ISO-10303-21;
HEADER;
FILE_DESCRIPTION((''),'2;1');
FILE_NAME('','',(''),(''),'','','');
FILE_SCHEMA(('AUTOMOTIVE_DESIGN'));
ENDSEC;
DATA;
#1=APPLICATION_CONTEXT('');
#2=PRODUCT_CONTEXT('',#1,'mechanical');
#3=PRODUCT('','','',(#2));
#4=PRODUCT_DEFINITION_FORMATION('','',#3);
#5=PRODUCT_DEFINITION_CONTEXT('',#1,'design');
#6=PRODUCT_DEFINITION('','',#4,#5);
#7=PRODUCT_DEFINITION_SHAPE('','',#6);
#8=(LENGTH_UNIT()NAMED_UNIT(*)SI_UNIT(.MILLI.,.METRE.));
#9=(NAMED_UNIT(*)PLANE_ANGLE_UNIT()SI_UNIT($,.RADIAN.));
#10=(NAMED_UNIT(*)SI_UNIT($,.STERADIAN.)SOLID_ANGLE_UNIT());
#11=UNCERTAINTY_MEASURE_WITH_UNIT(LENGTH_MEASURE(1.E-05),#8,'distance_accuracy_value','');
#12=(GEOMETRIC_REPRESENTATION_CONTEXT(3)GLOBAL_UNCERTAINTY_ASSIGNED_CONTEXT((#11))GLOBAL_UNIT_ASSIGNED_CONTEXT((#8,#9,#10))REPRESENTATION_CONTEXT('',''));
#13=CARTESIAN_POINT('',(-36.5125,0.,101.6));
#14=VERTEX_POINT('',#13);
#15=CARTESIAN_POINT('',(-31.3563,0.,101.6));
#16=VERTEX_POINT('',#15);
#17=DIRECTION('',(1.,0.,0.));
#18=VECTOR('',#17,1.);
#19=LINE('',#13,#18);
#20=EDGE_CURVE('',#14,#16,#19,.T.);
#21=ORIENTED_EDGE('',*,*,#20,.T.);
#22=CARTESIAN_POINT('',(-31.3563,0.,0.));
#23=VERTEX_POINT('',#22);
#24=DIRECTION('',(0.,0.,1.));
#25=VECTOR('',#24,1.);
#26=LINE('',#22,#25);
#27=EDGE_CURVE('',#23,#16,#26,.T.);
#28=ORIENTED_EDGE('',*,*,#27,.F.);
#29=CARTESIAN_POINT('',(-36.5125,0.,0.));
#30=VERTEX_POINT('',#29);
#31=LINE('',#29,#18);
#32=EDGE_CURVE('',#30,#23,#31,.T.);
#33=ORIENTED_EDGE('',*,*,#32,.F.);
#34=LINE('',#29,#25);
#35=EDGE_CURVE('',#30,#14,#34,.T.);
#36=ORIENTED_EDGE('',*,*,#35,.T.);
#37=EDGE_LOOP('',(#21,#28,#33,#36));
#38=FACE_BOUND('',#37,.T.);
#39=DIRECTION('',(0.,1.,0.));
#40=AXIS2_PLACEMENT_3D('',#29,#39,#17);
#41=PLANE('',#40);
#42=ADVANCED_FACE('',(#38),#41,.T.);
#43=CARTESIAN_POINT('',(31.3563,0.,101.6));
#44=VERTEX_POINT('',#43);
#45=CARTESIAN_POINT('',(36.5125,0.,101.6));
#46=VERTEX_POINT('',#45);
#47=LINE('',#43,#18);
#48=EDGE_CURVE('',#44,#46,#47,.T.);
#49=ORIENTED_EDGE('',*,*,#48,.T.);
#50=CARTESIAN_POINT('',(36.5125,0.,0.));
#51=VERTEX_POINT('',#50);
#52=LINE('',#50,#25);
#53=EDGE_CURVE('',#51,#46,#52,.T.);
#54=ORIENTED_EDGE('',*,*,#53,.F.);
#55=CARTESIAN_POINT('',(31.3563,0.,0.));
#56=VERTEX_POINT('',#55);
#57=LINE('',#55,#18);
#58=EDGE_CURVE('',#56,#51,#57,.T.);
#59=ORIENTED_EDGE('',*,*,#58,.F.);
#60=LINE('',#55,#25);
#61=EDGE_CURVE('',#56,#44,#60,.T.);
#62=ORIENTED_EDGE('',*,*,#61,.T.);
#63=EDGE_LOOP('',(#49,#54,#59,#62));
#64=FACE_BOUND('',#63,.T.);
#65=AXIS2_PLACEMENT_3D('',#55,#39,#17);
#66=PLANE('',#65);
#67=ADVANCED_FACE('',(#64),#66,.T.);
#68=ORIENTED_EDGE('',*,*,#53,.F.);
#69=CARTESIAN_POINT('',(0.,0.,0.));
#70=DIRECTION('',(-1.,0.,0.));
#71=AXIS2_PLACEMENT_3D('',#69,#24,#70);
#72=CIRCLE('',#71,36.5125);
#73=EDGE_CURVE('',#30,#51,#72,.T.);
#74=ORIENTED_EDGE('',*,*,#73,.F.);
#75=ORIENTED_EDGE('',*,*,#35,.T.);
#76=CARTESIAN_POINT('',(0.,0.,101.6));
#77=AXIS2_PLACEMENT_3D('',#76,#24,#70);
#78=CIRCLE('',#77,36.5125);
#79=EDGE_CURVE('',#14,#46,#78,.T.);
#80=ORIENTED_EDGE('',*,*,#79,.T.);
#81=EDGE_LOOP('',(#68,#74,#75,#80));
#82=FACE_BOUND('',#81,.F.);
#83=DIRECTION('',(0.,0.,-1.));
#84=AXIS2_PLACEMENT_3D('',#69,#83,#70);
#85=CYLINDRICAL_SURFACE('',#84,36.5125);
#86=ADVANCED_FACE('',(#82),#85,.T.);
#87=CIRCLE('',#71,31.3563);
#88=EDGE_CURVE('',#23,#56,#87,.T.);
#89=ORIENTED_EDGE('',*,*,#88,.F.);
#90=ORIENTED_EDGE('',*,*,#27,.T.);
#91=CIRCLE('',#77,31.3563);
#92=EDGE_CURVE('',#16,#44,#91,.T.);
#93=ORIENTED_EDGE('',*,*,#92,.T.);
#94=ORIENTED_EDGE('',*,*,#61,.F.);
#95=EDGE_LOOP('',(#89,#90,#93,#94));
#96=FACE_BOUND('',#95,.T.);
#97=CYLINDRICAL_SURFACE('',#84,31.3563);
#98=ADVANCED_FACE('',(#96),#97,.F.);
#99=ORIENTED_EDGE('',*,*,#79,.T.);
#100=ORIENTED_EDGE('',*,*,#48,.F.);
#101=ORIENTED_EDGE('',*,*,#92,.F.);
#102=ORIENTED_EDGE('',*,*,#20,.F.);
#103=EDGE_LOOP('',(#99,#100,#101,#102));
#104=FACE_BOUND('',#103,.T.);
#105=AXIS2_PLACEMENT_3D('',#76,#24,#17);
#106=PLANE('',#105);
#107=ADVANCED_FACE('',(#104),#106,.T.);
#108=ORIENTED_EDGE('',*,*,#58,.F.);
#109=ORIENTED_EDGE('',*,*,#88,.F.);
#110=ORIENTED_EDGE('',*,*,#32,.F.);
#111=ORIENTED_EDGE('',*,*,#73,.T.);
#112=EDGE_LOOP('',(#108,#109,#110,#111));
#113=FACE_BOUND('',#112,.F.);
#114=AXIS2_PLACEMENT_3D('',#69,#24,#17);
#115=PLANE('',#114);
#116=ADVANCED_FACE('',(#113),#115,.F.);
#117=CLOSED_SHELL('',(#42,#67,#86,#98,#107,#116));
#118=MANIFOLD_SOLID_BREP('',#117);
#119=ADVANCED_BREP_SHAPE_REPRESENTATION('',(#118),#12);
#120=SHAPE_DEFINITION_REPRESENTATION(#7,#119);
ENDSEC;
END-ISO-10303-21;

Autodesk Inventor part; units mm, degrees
ref_plane "YZ Plane" through (0, 0, 0) normal (1, 0, 0) x (0, 1, 0)
ref_plane "XZ Plane" through (0, 0, 0) normal (0, 1, 0) x (-1, 0, 0)
ref_plane "XY Plane" through (0, 0, 0) normal (0, 0, 1) x (1, 0, 0)
sketch "Sketch1" plane through (0, 0, 0) normal (0, 0, 1) x (1, 0, 0)
  arc A0 (-36.5125, 0) -> (36.5125, 0) centre (0, 0) ccw
  arc A1 (-31.3563, 0) -> (31.3563, 0) centre (0, 0) ccw
  line L0 (-36.5125, 0) -> (-31.3563, 0)
  line L1 (31.3563, 0) -> (36.5125, 0)
  dimension "d0" = 73.025
  dimension "d1" = 5.1562
extrude "Extrusion1" add sketch "Sketch1" along normal blind 101.6
properties part number "sparSplit2_5" material "PVC-Piping"
